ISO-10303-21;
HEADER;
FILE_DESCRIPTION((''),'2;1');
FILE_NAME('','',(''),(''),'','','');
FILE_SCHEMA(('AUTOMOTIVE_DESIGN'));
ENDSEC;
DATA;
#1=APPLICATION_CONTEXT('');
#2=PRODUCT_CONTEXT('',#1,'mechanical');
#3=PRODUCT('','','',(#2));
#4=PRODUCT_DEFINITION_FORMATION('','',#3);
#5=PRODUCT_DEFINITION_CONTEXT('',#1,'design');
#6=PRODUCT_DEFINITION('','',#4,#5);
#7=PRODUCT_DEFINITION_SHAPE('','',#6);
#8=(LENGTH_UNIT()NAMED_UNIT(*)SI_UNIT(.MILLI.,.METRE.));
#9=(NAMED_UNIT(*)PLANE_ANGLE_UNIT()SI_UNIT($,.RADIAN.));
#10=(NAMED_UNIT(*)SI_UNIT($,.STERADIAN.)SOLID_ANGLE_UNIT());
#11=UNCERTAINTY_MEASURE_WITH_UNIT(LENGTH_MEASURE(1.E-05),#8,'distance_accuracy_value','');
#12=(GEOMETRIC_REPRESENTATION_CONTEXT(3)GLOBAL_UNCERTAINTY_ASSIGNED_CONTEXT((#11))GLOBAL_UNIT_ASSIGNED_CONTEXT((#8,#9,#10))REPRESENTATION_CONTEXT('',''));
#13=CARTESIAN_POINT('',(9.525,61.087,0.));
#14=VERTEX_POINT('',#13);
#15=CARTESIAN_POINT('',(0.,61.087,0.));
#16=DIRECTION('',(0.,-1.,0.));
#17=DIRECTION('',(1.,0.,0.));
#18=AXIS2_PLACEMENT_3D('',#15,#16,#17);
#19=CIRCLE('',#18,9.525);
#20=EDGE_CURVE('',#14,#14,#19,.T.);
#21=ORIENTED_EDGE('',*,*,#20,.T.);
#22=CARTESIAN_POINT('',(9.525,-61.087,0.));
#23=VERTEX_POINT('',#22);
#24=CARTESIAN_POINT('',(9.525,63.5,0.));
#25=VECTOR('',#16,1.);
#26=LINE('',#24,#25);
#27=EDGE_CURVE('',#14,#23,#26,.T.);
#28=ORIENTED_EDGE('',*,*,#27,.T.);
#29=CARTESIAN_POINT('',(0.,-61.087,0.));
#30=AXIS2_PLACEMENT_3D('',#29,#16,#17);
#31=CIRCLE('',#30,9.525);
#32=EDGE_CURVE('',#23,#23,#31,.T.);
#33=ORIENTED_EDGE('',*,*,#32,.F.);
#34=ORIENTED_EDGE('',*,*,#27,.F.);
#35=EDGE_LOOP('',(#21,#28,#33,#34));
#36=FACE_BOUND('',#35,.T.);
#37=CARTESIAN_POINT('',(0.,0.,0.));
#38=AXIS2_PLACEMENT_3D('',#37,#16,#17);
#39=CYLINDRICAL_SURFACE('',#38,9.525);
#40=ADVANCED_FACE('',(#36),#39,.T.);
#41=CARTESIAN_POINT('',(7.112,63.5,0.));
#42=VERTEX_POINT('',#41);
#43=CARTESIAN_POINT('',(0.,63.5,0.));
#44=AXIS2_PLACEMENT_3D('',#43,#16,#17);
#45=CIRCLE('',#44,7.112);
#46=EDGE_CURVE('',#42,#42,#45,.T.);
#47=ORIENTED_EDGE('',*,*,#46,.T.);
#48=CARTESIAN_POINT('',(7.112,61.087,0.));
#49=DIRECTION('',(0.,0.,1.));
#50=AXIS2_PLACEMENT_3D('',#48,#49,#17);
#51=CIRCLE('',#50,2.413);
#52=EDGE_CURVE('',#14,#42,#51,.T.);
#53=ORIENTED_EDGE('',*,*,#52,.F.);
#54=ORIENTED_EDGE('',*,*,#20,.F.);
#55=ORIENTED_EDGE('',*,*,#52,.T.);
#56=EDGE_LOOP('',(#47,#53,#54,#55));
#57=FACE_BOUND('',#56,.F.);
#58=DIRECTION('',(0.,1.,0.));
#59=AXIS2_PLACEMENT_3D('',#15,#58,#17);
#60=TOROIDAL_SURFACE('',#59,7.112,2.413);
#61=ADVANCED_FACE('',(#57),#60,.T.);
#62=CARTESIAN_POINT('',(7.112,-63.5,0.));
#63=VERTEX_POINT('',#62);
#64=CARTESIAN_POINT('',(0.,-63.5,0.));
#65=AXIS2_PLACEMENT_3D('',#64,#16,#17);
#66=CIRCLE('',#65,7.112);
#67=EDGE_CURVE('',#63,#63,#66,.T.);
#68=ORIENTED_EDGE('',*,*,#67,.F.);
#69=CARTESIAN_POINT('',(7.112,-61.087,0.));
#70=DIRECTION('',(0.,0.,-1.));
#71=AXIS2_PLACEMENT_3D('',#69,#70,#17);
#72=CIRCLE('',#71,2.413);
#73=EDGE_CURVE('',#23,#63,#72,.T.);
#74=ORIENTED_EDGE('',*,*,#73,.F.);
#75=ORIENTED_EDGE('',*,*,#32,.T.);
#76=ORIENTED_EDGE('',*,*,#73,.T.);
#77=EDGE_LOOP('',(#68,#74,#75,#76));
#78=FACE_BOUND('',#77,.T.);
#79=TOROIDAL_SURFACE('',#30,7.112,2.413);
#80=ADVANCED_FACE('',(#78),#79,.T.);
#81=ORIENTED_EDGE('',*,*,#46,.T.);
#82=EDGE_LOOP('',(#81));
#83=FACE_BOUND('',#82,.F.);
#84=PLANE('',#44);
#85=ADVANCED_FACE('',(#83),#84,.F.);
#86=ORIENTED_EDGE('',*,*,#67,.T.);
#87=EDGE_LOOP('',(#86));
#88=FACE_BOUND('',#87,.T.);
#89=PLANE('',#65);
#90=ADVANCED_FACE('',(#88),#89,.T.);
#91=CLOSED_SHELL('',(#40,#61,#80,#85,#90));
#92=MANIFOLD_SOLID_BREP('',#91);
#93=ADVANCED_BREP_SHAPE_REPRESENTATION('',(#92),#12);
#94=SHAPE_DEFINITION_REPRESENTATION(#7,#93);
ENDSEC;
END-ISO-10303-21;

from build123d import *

# Parameters (mm, degrees)
F0_R     = 9.525
F1_DEPTH = 63.5
F2_R     = 2.413
F3_R     = 2.413


with BuildPart() as f1:
    # F0 (on Front) → F1 (new body, symmetric)
    with BuildSketch(Plane.XZ):
        Circle(F0_R)
    extrude(amount=F1_DEPTH, both=True)

    # F2
    f2_edges = [f1.edges().sort_by_distance(p)[0] for p in [
        (-9.525, -63.5, 0),
    ]]
    fillet(f2_edges, radius=F2_R)

    # F3
    f3_edges = [f1.edges().sort_by_distance(p)[0] for p in [
        (-9.525, 63.5, 0),
    ]]
    fillet(f3_edges, radius=F3_R)


solid = f1.part
